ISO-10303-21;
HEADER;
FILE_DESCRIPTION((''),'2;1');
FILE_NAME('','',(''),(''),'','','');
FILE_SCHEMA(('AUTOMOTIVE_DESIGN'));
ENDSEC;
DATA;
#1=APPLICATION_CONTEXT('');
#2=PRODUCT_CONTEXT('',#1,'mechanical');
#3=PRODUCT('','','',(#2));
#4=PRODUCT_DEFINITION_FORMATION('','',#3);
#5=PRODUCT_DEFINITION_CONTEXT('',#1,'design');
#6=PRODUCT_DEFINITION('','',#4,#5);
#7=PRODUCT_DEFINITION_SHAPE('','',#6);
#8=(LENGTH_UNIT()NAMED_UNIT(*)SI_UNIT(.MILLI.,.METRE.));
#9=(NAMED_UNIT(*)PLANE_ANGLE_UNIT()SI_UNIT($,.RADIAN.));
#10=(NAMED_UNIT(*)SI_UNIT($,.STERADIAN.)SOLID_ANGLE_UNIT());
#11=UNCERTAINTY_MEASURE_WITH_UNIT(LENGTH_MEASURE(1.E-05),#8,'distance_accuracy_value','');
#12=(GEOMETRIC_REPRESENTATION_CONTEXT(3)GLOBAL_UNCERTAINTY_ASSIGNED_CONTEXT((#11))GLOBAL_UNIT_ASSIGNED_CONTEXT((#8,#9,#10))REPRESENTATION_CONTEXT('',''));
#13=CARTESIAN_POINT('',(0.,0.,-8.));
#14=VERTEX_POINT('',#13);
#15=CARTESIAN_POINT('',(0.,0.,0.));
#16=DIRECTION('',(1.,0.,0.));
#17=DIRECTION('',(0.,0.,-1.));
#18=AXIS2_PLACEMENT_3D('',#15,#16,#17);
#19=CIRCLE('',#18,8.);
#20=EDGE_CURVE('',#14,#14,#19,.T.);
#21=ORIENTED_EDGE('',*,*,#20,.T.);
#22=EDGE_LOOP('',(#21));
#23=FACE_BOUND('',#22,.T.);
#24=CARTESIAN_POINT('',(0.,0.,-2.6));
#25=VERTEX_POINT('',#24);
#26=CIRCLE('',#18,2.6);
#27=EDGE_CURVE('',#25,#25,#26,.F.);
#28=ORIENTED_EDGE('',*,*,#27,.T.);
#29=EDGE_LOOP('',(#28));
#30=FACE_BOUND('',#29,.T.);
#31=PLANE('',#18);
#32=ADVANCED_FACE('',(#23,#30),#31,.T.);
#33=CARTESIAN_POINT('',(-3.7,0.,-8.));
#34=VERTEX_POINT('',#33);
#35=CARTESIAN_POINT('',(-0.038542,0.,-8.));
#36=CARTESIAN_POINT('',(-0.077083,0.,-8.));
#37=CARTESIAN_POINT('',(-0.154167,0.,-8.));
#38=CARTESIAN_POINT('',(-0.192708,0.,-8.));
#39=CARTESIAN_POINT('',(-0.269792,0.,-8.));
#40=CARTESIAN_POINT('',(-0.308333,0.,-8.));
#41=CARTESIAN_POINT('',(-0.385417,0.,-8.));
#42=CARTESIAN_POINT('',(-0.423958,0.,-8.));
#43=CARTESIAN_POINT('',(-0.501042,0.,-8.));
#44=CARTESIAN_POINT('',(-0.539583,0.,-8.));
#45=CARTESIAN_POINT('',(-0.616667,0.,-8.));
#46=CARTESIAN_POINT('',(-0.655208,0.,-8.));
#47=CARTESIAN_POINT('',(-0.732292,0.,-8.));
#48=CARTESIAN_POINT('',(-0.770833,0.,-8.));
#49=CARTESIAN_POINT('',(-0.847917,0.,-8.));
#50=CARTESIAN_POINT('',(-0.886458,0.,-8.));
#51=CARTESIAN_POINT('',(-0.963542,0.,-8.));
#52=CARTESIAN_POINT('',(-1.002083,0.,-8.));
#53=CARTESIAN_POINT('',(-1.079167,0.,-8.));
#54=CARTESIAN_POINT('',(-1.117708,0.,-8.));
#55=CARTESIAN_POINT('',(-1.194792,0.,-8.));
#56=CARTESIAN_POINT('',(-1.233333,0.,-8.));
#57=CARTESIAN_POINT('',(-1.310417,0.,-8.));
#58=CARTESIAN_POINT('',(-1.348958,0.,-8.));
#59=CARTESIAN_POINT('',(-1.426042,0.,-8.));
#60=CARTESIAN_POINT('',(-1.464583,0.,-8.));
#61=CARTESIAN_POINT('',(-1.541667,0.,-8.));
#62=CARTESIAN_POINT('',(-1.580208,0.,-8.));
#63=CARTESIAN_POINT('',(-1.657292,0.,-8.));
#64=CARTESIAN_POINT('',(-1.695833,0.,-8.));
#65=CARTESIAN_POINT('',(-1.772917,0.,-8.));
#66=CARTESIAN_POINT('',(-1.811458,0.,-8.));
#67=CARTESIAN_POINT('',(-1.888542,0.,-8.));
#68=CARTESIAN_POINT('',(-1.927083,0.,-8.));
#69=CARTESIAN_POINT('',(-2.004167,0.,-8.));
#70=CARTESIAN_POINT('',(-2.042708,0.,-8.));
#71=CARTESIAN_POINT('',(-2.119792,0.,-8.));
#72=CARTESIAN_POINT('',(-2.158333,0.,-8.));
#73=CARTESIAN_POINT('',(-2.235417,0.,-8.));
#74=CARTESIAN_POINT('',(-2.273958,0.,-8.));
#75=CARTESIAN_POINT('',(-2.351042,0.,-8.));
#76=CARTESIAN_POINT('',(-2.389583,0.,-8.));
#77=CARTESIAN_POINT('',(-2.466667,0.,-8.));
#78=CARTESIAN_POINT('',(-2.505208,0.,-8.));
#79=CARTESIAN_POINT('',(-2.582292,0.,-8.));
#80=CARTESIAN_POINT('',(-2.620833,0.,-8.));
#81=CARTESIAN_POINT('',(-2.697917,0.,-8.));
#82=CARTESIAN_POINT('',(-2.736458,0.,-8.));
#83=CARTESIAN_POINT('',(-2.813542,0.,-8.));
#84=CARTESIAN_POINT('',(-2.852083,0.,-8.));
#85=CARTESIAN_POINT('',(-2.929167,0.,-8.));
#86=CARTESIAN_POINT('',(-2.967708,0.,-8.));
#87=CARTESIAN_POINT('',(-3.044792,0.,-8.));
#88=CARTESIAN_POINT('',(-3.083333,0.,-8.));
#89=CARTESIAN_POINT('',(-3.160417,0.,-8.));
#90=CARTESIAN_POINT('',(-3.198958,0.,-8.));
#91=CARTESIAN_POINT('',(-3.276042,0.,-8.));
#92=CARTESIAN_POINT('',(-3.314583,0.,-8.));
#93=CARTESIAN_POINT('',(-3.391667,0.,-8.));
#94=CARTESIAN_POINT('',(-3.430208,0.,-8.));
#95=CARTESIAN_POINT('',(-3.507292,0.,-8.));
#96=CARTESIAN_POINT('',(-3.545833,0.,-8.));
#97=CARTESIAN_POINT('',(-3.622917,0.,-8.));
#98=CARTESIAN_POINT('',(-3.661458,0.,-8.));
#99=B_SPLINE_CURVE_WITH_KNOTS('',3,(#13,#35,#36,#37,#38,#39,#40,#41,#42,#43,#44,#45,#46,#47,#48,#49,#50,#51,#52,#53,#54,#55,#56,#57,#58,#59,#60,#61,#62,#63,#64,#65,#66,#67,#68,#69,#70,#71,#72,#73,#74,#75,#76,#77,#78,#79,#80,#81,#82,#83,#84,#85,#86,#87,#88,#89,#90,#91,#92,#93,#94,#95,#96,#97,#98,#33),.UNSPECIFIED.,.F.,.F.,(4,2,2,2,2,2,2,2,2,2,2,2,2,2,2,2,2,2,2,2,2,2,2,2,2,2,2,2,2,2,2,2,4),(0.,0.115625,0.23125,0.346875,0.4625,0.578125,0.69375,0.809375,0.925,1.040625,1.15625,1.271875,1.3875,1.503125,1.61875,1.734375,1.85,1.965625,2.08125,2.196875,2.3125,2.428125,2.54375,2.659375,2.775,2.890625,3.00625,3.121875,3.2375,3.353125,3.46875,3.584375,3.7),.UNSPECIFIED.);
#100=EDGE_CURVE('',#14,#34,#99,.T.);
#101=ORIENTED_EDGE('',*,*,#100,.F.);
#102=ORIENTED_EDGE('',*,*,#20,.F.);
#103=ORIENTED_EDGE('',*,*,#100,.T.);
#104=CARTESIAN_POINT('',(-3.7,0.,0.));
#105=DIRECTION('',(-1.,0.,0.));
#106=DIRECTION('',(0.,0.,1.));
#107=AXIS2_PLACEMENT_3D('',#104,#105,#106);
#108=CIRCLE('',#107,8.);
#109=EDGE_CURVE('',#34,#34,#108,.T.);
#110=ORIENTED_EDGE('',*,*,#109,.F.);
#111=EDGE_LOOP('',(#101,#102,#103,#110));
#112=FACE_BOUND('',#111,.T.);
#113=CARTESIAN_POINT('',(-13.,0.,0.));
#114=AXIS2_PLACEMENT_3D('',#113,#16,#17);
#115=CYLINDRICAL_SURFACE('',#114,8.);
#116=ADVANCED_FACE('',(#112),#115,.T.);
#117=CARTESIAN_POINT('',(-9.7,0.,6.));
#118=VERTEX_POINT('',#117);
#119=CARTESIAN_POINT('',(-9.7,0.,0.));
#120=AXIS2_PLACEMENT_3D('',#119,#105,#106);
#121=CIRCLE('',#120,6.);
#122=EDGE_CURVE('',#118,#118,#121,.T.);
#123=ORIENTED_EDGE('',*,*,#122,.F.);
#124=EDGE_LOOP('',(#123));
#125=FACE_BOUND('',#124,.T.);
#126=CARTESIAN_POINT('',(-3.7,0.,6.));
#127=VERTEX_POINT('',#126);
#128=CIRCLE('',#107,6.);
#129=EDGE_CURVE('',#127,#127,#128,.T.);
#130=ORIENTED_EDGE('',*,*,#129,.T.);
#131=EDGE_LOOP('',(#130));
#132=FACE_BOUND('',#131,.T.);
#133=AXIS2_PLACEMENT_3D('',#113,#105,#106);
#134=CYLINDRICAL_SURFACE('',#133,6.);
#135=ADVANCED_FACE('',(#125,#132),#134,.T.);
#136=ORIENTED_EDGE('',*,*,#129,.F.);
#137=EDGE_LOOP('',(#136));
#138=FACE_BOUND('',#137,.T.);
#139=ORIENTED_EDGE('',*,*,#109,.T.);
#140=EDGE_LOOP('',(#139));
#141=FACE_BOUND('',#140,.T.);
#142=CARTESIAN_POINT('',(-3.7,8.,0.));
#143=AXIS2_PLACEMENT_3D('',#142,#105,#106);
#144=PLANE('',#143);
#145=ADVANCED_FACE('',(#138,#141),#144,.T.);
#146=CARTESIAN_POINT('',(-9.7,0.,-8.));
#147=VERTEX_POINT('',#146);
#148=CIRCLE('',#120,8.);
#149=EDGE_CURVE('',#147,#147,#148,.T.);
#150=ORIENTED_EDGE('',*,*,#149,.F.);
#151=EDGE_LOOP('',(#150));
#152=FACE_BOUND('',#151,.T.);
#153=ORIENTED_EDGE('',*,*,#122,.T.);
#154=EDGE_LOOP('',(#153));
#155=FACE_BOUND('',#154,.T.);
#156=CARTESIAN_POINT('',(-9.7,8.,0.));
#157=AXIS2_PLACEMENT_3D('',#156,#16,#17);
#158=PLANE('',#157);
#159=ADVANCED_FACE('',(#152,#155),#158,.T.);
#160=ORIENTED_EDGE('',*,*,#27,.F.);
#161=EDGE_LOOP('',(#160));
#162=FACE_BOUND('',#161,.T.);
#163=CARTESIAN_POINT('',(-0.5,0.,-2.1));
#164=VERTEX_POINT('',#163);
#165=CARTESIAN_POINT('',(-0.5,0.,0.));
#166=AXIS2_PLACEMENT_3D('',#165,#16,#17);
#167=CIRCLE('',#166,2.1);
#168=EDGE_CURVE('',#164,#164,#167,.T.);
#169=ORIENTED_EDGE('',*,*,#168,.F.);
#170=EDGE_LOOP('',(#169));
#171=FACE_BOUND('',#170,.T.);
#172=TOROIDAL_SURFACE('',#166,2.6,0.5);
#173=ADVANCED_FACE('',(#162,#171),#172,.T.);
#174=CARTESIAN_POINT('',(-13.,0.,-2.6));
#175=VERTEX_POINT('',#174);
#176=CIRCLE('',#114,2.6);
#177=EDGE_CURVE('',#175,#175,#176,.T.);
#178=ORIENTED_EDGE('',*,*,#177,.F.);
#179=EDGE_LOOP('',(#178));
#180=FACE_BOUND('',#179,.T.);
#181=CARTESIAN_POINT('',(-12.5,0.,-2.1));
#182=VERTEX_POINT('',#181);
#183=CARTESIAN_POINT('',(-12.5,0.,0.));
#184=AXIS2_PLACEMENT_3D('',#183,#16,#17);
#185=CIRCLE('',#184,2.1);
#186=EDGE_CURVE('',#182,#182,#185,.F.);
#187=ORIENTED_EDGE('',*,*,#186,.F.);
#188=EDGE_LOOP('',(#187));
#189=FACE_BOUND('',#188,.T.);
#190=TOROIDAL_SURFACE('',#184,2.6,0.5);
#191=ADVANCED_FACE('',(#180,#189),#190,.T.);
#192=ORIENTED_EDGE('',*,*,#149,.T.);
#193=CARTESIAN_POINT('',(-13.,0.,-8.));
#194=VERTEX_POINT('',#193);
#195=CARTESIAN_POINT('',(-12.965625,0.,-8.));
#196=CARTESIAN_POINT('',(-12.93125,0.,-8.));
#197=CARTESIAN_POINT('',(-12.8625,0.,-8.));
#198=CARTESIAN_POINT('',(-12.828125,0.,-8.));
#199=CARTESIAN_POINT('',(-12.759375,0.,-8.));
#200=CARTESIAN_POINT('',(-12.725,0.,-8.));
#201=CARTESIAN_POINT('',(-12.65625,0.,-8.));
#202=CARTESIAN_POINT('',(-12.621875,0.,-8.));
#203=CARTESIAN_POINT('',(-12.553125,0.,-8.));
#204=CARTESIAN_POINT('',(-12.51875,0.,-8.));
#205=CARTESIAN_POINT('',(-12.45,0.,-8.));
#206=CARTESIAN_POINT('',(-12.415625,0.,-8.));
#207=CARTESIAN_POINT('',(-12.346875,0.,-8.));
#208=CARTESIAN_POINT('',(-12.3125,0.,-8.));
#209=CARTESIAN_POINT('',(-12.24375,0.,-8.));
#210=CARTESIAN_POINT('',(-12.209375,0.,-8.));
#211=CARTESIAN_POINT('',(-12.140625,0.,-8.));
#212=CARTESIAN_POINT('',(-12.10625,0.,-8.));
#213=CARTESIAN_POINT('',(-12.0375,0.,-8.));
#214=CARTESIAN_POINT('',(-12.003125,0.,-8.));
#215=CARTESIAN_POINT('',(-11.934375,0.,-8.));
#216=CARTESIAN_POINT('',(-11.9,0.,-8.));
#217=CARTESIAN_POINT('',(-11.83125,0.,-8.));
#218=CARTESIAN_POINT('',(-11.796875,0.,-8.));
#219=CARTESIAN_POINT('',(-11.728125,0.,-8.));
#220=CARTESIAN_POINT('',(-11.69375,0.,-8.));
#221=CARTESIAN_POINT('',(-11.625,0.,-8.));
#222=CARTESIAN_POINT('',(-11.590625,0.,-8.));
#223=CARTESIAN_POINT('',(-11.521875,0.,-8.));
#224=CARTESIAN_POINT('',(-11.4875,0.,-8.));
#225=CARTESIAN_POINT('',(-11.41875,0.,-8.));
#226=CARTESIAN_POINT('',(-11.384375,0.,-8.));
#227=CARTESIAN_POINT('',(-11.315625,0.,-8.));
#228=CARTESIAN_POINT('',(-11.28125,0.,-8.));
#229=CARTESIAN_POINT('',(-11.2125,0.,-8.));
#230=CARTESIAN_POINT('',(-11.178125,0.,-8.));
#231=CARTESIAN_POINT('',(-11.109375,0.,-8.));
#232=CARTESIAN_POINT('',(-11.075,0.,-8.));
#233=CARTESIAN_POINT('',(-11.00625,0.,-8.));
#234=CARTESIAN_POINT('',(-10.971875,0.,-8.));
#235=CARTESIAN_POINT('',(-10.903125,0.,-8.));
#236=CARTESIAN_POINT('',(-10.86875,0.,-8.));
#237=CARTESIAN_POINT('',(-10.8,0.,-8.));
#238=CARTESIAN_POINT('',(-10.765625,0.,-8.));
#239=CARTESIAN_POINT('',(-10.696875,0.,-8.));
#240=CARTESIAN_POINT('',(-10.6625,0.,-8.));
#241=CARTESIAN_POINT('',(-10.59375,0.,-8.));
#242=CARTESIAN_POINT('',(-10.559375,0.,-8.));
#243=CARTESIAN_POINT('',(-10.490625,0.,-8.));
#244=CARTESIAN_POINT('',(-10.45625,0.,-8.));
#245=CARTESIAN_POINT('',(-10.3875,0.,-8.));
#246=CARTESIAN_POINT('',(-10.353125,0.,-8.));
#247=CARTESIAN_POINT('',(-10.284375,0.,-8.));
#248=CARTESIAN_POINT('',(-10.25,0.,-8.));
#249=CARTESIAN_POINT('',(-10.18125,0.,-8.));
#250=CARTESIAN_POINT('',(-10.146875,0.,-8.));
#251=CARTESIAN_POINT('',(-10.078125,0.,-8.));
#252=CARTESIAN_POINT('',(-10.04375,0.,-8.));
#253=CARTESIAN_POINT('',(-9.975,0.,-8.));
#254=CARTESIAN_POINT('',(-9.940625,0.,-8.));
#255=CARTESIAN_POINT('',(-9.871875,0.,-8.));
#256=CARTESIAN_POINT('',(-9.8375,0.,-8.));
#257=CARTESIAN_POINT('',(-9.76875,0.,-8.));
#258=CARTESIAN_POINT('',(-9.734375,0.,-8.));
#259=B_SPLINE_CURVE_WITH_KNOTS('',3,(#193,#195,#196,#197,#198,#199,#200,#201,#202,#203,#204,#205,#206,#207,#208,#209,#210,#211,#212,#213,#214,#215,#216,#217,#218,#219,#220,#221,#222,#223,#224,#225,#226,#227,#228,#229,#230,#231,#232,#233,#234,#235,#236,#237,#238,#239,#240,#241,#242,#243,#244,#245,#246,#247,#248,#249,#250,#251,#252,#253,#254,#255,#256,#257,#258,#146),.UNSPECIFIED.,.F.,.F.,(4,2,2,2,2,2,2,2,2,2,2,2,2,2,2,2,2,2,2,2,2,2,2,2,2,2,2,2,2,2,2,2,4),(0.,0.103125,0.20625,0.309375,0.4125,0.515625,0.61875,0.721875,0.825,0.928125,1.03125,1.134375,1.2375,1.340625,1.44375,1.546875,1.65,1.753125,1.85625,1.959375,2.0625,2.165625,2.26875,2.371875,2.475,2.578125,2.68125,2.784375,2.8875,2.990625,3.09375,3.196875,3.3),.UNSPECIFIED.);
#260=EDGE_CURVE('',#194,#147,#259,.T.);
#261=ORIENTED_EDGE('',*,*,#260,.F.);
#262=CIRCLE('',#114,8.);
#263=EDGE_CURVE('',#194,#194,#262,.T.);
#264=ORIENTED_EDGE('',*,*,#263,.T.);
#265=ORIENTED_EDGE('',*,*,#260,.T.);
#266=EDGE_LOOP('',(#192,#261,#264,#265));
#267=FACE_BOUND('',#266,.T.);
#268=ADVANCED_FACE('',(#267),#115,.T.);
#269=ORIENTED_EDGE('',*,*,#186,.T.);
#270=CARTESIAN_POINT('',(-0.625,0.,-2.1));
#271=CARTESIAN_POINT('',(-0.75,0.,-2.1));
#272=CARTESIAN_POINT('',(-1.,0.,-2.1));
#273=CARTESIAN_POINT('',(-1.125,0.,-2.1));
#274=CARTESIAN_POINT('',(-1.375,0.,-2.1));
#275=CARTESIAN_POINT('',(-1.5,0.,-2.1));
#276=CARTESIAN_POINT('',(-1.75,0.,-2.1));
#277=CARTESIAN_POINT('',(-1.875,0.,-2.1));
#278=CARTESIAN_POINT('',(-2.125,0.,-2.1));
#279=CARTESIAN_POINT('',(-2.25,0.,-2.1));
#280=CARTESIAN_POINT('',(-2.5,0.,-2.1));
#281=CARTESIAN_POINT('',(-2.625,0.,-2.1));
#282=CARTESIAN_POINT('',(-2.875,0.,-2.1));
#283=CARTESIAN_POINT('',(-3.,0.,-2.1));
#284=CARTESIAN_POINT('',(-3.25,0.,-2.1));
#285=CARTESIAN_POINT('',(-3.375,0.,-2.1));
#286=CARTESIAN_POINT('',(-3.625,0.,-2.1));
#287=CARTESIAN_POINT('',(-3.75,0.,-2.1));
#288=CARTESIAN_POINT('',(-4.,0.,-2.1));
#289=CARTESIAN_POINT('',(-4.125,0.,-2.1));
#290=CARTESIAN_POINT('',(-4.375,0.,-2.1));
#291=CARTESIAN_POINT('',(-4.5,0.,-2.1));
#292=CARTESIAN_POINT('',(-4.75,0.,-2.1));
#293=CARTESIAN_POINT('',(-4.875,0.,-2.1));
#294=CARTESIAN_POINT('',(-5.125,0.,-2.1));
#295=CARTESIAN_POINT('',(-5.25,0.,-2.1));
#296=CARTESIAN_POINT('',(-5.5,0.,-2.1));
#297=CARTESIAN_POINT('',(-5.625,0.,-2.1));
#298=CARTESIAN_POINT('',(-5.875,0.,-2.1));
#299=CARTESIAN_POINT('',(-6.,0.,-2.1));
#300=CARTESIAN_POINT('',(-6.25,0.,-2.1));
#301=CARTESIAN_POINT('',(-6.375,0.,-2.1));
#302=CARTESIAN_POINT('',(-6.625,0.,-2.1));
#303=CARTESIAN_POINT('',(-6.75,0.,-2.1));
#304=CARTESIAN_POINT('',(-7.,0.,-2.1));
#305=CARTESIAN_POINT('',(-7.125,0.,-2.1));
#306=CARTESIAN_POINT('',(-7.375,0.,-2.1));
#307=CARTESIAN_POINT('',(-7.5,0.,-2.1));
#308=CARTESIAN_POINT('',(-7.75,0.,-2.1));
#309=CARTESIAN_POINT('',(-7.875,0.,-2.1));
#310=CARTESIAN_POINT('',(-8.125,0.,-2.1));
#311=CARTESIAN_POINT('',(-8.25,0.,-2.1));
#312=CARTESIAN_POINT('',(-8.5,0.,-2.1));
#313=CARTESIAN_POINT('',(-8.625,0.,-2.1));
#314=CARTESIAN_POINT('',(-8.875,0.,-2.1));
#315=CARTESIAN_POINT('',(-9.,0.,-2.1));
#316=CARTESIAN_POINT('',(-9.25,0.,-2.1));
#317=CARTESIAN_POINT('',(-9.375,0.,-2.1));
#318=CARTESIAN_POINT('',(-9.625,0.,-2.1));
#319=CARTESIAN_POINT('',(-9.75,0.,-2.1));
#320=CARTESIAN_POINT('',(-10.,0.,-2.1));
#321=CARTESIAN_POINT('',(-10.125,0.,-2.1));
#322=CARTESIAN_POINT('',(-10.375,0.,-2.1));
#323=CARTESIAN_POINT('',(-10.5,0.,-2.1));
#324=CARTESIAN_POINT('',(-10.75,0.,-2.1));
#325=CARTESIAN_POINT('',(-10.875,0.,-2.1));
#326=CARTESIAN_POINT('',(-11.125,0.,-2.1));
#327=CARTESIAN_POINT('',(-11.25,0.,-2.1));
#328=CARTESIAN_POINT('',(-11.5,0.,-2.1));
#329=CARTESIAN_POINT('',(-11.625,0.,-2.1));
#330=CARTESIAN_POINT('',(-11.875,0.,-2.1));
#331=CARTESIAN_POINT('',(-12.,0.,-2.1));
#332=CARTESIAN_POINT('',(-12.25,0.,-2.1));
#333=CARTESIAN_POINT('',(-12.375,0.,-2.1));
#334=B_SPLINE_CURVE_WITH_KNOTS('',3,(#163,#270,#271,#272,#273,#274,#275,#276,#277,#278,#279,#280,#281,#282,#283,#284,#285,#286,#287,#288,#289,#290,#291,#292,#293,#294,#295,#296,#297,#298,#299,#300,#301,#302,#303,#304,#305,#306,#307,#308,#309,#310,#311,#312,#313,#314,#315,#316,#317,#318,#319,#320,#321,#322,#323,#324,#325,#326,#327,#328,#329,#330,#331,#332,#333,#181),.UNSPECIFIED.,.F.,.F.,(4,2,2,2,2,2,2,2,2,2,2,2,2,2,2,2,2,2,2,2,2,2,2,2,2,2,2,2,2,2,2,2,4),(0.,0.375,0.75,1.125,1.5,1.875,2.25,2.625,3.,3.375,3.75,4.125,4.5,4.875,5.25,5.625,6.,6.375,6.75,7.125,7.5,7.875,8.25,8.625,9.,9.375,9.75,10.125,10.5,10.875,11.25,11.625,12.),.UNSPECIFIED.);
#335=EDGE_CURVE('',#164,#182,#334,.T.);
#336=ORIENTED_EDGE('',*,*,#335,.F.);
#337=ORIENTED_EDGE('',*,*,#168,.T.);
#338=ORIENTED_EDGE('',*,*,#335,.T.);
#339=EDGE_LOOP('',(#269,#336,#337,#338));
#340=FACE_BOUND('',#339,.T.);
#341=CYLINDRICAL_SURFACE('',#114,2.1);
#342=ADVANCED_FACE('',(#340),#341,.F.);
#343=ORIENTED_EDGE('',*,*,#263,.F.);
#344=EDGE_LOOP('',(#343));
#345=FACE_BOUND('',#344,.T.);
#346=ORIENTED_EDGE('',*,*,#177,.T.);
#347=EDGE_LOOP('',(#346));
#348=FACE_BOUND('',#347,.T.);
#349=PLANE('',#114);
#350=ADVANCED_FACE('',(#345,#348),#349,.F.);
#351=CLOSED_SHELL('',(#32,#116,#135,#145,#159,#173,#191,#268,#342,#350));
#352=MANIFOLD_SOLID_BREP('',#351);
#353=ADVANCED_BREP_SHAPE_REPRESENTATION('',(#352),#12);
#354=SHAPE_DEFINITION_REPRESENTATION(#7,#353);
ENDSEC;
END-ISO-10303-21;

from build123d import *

# Parameters (mm, degrees)
SKETCH1_R           = 8
BOSS_EXTRUDE1_DEPTH = 13
SKETCH4_R           = 2.1
CUT_EXTRUDE1_DEPTH  = 18.23368794
FILLET1_R           = 0.5
SKETCH2_W           = 6
SKETCH2_H           = 2


with BuildPart() as part:
    # Sketch1 → Boss-Extrude1 (new body)
    with BuildSketch(Plane(origin=(0, 0, 0), x_dir=(0, 0, -1), z_dir=(1, 0, 0))):
        Circle(SKETCH1_R)
    extrude(amount=-BOSS_EXTRUDE1_DEPTH)

    # Sketch4 → Cut-Extrude1 (cut, through all)
    with BuildSketch(Plane(origin=(0, 0, 0), x_dir=(0, 0, -1), z_dir=(1, 0, 0))):
        Circle(SKETCH4_R)
    extrude(amount=-CUT_EXTRUDE1_DEPTH, mode=Mode.SUBTRACT)

    # Fillet1
    fillet1_edges = [part.edges().sort_by_distance(p)[0] for p in [
        (-13, 0, 2.1),
        (0, 0, 2.1),
    ]]
    fillet(fillet1_edges, radius=FILLET1_R)

    # Sketch2 → Cut-Revolve1 (revolve, cut)
    with BuildSketch(Plane.XY, mode=Mode.PRIVATE) as cut_revolve1_sk:
        with Locations((-6.7, 7)):
            Rectangle(SKETCH2_W, SKETCH2_H)
    revolve(cut_revolve1_sk.sketch.rotate(Axis((-13, 0, 0), (1, 0, 0)), 270), axis=Axis((-13, 0, 0), (1, 0, 0)), mode=Mode.SUBTRACT)


solid = part.part
